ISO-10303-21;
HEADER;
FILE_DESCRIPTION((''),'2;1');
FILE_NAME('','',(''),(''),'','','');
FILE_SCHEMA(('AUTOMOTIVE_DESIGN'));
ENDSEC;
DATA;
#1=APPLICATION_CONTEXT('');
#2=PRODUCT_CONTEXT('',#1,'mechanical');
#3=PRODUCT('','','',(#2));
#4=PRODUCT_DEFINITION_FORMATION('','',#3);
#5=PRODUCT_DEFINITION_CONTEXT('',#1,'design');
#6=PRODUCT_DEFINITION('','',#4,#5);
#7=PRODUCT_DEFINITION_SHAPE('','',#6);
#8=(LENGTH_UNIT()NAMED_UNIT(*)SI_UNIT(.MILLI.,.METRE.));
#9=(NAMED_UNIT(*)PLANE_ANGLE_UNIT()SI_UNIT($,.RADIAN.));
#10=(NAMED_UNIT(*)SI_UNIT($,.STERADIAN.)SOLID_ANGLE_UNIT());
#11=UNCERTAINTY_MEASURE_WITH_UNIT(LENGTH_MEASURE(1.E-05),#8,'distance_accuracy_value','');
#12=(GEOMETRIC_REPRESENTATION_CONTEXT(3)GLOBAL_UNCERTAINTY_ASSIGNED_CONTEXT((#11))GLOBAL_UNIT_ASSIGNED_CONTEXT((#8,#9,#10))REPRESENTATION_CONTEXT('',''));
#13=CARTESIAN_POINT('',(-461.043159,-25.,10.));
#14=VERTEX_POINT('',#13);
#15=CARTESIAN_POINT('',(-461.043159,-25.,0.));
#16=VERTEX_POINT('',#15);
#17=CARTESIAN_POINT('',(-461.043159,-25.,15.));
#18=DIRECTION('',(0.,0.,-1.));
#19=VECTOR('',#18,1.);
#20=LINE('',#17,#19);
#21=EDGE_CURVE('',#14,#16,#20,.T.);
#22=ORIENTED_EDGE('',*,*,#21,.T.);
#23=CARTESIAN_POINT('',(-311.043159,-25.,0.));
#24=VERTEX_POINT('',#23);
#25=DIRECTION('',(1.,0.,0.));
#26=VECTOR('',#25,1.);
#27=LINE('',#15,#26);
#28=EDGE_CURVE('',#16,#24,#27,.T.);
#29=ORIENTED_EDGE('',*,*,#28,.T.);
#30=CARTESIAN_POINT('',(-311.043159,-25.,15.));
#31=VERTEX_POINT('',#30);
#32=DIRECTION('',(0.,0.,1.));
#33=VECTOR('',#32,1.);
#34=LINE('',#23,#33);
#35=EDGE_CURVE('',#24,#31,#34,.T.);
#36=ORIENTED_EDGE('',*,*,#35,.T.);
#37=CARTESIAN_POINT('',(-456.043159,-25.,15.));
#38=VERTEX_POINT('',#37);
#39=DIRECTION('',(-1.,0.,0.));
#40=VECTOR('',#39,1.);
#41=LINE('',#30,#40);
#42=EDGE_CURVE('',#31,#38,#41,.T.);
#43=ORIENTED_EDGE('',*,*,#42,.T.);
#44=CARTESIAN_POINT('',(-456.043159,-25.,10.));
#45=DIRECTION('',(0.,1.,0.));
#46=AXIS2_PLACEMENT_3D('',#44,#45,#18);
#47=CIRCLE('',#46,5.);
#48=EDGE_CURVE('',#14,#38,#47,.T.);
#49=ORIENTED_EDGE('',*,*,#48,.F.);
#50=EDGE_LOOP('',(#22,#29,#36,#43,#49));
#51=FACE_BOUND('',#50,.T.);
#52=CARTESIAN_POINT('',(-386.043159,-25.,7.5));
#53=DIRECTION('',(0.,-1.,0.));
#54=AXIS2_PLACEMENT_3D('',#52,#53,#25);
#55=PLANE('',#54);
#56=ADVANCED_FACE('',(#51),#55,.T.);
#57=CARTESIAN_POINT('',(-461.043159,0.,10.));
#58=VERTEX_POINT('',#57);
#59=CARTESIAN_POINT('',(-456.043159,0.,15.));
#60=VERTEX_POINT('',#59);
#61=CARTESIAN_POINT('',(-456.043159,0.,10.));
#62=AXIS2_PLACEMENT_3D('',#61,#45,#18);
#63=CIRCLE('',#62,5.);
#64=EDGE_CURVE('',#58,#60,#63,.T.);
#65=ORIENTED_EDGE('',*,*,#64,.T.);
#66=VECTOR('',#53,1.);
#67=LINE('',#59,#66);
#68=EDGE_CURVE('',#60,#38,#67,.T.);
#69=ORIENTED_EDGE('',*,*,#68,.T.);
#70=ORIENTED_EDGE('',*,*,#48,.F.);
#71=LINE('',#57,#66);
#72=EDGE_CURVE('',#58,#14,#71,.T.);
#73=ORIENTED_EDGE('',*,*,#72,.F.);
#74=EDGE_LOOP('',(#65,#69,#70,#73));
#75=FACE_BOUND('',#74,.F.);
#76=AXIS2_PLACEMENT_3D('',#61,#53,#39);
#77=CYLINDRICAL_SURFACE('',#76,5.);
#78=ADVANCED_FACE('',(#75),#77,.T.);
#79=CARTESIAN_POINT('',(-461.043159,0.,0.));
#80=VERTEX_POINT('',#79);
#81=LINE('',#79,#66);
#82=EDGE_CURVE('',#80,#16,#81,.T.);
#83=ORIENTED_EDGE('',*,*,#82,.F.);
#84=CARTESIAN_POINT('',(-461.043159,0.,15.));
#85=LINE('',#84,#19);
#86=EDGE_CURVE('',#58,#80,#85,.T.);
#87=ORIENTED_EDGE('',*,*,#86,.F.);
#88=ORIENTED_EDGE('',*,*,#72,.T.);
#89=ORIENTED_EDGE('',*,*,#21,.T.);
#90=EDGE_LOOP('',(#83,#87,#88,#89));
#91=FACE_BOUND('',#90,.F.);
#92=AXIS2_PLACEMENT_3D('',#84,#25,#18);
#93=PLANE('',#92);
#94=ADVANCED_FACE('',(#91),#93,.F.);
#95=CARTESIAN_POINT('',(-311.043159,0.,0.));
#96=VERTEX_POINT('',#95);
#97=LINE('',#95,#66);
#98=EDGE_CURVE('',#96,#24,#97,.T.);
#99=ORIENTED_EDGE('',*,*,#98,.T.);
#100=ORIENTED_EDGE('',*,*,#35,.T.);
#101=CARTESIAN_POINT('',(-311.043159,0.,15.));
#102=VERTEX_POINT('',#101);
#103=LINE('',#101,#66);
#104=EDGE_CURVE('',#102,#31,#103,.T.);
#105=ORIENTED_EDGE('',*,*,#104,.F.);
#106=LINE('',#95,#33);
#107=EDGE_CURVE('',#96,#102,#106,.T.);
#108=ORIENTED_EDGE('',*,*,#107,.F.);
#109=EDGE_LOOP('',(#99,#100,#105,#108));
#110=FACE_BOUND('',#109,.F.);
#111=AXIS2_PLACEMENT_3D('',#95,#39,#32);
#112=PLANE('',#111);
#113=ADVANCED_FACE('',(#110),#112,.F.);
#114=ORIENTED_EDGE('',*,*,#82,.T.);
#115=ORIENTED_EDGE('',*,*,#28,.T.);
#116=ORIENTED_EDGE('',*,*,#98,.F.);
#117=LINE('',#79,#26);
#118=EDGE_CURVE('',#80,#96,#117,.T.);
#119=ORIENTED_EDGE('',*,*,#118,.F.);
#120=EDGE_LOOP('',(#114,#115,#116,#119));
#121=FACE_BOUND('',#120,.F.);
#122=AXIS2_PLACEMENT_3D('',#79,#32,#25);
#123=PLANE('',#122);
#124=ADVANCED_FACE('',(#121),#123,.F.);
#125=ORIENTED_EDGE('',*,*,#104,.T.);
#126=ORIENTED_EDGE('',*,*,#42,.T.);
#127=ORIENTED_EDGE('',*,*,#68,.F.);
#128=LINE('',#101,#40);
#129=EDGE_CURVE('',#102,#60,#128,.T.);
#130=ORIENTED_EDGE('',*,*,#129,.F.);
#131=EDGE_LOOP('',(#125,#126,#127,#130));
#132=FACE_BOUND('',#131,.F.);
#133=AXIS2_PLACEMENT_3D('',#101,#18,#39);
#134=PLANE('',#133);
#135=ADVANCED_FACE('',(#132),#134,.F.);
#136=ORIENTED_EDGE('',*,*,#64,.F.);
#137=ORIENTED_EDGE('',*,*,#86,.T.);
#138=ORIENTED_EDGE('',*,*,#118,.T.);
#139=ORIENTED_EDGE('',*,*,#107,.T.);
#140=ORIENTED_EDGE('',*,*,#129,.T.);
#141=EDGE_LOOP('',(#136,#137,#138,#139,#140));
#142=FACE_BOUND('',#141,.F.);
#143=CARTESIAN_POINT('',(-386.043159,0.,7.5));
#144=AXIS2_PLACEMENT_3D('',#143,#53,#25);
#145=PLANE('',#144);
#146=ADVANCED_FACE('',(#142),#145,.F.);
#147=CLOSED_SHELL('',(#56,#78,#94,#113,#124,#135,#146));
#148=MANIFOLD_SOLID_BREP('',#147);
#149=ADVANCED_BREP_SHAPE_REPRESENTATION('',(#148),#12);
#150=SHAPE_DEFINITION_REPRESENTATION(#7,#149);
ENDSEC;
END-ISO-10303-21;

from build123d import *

# Parameters (mm, degrees)
F1_DEPTH = 25
F2_R     = 5


with BuildPart() as f1:
    # F0 (on Front) → F1 (new body)
    with BuildSketch(Plane.XZ):
        Polygon((-461.043159, 15), (-461.043159, 0), (-381.043159, 0), (-368.443159, 0), (-311.043159, 0), (-311.043159, 15), (-368.443159, 15), (-381.043159, 15), align=None)
    extrude(amount=F1_DEPTH)

    # F2
    f2_edges = [f1.edges().sort_by_distance(p)[0] for p in [
        (-461.043159, -12.5, 15),
    ]]
    fillet(f2_edges, radius=F2_R)


solid = f1.part
